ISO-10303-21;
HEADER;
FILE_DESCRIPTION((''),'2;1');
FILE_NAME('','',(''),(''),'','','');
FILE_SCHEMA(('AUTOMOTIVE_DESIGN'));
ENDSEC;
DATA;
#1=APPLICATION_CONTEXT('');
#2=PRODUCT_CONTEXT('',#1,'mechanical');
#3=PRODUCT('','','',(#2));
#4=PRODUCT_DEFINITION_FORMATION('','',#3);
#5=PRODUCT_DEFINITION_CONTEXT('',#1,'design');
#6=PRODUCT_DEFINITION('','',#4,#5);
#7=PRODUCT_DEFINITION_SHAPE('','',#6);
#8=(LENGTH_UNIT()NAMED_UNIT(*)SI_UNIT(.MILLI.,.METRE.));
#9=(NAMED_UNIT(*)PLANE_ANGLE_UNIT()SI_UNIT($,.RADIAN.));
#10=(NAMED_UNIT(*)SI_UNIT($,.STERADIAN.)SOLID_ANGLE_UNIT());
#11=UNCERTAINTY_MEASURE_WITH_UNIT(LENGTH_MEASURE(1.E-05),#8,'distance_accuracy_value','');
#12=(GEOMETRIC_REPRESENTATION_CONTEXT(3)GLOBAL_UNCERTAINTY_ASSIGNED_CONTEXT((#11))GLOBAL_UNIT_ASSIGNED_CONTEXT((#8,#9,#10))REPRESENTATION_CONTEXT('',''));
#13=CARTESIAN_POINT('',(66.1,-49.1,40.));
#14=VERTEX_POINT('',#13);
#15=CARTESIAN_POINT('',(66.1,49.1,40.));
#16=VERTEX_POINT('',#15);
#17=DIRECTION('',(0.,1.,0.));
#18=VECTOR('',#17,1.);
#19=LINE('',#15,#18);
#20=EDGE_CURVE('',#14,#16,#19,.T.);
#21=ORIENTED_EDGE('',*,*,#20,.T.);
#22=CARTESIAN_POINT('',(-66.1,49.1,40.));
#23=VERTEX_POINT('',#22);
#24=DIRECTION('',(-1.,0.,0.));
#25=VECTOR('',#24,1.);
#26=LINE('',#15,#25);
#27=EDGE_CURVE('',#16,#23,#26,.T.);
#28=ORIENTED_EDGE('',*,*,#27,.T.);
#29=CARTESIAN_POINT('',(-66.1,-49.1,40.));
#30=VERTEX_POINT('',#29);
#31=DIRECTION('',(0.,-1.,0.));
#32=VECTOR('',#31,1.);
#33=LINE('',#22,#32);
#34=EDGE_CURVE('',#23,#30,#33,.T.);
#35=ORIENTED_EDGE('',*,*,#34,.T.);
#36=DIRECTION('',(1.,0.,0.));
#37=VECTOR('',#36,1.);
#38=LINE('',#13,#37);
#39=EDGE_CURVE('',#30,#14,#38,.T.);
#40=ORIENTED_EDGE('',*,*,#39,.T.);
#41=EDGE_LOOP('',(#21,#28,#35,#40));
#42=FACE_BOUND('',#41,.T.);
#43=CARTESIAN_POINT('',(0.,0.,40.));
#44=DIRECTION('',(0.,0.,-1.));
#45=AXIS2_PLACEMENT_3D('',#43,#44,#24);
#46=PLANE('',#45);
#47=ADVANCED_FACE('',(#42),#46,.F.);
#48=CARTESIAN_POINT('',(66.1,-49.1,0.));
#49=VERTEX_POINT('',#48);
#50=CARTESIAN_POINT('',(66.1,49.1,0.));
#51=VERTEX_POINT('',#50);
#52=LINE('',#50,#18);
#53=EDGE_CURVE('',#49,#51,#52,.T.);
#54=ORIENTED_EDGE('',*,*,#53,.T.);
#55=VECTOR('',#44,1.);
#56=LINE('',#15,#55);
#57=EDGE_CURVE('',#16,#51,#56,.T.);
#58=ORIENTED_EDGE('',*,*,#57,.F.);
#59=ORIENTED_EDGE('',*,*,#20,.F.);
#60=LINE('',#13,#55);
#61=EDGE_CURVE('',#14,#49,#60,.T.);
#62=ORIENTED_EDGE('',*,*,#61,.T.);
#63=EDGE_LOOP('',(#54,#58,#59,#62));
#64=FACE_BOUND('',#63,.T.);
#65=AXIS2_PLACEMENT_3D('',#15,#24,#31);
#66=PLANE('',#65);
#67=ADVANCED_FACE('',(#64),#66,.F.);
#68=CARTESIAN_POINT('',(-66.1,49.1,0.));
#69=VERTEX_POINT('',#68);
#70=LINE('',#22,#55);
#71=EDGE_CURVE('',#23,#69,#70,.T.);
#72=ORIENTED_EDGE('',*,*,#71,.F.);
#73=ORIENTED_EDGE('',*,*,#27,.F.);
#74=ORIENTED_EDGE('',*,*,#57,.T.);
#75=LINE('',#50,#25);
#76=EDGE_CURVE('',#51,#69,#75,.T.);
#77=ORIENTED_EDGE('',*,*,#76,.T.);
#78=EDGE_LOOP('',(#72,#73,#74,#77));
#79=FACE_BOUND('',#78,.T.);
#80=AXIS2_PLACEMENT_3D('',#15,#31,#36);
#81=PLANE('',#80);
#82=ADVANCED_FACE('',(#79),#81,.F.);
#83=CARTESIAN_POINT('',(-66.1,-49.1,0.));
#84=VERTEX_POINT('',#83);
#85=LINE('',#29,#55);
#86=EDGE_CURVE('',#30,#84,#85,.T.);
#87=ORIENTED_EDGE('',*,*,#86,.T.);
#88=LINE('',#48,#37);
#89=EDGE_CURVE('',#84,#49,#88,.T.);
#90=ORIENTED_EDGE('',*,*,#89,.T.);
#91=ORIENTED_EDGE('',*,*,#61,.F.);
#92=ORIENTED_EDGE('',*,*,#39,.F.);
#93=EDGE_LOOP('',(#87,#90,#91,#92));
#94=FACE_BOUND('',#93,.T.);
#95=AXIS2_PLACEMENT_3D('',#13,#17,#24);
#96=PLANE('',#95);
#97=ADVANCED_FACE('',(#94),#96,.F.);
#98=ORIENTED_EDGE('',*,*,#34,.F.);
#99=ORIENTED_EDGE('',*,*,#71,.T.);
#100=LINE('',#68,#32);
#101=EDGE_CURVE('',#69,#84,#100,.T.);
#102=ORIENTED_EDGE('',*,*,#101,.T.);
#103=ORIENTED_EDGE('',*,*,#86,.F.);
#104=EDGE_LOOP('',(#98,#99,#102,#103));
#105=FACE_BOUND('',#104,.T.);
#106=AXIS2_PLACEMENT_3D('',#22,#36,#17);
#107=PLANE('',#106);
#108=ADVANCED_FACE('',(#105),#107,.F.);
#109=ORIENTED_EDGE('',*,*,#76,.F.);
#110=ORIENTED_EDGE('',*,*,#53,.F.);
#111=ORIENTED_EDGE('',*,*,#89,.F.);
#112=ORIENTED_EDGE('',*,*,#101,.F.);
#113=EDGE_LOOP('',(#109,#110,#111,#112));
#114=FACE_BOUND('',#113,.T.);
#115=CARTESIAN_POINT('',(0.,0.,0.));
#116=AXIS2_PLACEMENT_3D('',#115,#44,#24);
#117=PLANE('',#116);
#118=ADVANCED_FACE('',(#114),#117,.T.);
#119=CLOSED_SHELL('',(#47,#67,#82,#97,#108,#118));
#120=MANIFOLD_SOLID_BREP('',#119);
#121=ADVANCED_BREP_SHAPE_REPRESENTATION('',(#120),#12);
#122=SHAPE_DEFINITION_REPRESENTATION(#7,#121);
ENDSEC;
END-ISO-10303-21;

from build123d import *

# Parameters (mm, degrees)
ESQUISSE1_W        = 132.2
ESQUISSE1_H        = 98.2
BOSS_EXTRU_1_DEPTH = 40


with BuildPart() as part:
    # Esquisse1 → Boss.-Extru.1 (new body)
    with BuildSketch(Plane.XY):
        Rectangle(ESQUISSE1_W, ESQUISSE1_H)
    extrude(amount=BOSS_EXTRU_1_DEPTH)


solid = part.part
